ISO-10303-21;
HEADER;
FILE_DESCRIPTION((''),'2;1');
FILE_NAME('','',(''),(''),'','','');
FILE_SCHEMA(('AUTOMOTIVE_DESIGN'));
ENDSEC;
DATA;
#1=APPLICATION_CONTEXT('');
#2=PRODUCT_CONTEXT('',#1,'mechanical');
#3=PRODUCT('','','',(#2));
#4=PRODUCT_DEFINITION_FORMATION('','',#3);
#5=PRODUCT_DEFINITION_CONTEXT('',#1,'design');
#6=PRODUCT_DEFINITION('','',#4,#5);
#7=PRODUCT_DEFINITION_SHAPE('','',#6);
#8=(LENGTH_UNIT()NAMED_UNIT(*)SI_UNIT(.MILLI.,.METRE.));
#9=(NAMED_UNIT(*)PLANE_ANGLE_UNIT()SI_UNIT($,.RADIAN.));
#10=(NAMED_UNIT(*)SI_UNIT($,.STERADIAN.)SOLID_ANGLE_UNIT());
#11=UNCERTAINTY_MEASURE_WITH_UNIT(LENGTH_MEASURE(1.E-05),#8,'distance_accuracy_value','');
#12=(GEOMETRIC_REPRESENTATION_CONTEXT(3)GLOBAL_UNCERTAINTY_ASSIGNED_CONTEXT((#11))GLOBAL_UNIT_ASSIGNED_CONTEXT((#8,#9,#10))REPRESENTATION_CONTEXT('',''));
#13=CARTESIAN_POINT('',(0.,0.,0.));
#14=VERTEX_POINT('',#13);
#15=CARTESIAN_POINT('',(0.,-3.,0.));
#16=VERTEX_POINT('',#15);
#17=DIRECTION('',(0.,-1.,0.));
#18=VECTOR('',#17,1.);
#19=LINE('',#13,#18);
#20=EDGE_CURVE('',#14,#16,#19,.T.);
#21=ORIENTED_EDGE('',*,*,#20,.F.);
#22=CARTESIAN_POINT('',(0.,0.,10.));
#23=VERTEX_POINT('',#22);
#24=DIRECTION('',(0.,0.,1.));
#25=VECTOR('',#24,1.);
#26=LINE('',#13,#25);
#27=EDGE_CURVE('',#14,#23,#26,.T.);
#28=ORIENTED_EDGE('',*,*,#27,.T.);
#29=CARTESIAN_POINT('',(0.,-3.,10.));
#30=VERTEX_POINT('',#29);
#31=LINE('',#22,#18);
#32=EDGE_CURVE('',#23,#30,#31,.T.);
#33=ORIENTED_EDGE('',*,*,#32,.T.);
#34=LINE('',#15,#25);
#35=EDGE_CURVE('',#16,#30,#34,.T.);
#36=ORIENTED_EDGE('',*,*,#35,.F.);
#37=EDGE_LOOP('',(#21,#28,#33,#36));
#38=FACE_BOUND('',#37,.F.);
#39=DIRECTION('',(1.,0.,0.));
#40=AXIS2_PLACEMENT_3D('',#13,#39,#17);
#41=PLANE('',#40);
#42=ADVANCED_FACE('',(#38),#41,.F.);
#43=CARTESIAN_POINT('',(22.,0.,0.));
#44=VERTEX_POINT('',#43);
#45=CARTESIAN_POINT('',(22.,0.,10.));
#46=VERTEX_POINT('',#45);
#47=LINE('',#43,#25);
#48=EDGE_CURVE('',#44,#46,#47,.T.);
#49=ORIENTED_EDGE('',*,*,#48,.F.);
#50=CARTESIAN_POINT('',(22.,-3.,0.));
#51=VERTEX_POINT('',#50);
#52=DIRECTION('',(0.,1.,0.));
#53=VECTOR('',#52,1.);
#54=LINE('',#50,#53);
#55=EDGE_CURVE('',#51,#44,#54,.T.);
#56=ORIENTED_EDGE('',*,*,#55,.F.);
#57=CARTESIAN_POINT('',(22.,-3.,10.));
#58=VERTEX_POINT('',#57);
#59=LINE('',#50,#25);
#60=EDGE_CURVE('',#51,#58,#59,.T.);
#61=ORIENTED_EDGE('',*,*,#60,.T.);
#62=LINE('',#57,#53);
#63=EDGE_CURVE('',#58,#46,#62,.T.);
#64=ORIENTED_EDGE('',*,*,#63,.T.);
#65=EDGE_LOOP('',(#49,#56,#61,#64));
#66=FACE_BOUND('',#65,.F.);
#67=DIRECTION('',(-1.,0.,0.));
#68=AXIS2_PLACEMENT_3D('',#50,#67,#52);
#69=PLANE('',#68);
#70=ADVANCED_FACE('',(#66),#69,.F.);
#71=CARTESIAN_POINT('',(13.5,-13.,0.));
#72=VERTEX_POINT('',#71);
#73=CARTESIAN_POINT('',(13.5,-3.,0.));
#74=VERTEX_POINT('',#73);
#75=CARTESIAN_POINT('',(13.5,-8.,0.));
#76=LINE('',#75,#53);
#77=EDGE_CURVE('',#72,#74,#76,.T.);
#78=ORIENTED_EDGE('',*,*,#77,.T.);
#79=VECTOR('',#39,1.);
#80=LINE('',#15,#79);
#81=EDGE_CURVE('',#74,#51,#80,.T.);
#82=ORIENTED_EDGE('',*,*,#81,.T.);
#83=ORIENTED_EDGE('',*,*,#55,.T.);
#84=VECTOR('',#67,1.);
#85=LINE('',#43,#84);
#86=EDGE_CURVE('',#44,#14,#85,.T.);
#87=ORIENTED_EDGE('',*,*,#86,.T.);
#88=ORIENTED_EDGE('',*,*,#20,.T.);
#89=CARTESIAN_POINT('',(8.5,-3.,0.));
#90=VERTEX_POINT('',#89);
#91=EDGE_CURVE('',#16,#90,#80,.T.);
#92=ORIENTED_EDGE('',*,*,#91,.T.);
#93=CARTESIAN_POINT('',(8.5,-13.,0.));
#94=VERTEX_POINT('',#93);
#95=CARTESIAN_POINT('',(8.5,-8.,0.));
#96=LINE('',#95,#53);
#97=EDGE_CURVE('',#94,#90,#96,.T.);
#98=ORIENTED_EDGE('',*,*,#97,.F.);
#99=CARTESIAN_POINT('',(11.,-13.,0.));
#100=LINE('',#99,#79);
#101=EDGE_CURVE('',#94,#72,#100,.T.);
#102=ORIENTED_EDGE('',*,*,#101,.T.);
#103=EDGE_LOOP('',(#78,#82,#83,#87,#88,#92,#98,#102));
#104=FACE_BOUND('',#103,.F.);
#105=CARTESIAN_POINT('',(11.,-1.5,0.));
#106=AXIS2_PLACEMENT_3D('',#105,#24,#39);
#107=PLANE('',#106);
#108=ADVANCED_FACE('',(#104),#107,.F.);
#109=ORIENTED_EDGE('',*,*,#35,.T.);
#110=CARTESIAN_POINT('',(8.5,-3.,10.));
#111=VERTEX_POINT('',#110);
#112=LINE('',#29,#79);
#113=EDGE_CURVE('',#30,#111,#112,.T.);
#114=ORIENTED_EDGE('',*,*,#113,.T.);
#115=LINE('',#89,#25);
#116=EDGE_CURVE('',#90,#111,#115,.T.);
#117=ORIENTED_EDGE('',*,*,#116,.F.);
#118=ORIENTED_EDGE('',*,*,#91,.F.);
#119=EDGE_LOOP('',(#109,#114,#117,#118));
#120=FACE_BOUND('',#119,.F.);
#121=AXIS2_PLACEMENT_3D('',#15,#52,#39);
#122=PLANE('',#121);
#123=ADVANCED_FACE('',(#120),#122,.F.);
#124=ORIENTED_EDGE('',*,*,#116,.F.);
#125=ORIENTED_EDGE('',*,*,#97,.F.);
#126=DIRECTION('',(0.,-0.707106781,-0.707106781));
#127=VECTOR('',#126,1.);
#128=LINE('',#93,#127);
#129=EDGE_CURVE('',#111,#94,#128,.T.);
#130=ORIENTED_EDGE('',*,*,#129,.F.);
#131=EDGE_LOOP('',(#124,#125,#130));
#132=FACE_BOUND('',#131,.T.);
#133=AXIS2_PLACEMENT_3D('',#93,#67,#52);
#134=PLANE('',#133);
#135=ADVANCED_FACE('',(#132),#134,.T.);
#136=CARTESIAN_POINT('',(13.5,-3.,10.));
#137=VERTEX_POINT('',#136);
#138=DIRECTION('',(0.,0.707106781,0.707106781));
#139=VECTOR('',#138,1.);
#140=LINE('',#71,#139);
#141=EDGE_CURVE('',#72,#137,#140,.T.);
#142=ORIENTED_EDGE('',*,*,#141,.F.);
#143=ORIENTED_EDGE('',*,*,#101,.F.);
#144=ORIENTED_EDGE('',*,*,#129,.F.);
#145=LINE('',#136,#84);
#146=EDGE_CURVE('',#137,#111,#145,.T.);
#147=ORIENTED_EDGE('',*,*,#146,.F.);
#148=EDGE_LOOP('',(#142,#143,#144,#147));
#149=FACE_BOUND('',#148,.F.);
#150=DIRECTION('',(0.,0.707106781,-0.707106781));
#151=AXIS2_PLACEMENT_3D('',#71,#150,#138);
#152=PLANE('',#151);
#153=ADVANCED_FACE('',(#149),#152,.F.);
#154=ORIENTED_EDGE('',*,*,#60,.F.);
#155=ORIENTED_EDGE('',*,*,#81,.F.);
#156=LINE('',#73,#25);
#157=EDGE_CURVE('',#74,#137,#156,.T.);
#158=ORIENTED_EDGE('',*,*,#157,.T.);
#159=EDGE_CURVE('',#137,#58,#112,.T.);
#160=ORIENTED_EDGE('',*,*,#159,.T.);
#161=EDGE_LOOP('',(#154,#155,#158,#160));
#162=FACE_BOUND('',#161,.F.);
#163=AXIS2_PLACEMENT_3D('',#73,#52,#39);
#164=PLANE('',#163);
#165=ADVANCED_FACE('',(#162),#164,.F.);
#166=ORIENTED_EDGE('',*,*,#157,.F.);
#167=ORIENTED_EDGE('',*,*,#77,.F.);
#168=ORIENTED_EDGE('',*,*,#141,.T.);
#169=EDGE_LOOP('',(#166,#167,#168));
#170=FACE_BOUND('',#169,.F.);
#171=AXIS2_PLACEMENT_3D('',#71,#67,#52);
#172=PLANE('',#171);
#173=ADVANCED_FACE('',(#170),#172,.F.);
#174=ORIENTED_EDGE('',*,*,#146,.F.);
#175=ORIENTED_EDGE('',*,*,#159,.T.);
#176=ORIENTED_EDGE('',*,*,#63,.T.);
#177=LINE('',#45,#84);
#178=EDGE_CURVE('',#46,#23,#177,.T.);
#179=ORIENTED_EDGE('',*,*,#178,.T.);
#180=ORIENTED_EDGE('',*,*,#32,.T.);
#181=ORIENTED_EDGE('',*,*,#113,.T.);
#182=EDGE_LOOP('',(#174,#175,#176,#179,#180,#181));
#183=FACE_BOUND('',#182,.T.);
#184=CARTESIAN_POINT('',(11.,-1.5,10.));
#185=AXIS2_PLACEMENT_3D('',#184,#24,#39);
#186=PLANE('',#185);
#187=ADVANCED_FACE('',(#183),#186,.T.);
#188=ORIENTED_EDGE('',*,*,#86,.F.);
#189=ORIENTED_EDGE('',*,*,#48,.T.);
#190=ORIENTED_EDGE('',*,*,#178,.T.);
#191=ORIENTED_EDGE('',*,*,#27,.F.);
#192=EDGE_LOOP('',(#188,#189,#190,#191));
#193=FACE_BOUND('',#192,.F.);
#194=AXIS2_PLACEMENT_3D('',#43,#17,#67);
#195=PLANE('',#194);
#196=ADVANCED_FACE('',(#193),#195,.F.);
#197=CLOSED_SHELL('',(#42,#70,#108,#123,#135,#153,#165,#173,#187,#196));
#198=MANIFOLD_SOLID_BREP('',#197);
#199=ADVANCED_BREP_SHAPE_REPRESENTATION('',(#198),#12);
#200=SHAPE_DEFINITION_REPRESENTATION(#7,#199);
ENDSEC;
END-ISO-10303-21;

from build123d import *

# Parameters (mm, degrees)
F0_W     = 5
F0_H     = 10
F1_DEPTH = 10
F3_DEPTH = 13.501


with BuildPart() as f1:
    # F0 (on Top) → F1 (new body)
    with BuildSketch(Plane.XY):
        Polygon((22, 0), (0, 0), (0, -3), (8.5, -3), (13.5, -3), (22, -3), align=None)
        with Locations((11, -8)):
            Rectangle(F0_W, F0_H)
    extrude(amount=F1_DEPTH)

    # F2 (on face) → F3 (cut, through all)
    with BuildSketch(Plane.YZ.offset(13.5)):
        Polygon((-13, 10), (-13, 0), (-3, 10), align=None)
    extrude(amount=-F3_DEPTH, mode=Mode.SUBTRACT)


solid = f1.part
